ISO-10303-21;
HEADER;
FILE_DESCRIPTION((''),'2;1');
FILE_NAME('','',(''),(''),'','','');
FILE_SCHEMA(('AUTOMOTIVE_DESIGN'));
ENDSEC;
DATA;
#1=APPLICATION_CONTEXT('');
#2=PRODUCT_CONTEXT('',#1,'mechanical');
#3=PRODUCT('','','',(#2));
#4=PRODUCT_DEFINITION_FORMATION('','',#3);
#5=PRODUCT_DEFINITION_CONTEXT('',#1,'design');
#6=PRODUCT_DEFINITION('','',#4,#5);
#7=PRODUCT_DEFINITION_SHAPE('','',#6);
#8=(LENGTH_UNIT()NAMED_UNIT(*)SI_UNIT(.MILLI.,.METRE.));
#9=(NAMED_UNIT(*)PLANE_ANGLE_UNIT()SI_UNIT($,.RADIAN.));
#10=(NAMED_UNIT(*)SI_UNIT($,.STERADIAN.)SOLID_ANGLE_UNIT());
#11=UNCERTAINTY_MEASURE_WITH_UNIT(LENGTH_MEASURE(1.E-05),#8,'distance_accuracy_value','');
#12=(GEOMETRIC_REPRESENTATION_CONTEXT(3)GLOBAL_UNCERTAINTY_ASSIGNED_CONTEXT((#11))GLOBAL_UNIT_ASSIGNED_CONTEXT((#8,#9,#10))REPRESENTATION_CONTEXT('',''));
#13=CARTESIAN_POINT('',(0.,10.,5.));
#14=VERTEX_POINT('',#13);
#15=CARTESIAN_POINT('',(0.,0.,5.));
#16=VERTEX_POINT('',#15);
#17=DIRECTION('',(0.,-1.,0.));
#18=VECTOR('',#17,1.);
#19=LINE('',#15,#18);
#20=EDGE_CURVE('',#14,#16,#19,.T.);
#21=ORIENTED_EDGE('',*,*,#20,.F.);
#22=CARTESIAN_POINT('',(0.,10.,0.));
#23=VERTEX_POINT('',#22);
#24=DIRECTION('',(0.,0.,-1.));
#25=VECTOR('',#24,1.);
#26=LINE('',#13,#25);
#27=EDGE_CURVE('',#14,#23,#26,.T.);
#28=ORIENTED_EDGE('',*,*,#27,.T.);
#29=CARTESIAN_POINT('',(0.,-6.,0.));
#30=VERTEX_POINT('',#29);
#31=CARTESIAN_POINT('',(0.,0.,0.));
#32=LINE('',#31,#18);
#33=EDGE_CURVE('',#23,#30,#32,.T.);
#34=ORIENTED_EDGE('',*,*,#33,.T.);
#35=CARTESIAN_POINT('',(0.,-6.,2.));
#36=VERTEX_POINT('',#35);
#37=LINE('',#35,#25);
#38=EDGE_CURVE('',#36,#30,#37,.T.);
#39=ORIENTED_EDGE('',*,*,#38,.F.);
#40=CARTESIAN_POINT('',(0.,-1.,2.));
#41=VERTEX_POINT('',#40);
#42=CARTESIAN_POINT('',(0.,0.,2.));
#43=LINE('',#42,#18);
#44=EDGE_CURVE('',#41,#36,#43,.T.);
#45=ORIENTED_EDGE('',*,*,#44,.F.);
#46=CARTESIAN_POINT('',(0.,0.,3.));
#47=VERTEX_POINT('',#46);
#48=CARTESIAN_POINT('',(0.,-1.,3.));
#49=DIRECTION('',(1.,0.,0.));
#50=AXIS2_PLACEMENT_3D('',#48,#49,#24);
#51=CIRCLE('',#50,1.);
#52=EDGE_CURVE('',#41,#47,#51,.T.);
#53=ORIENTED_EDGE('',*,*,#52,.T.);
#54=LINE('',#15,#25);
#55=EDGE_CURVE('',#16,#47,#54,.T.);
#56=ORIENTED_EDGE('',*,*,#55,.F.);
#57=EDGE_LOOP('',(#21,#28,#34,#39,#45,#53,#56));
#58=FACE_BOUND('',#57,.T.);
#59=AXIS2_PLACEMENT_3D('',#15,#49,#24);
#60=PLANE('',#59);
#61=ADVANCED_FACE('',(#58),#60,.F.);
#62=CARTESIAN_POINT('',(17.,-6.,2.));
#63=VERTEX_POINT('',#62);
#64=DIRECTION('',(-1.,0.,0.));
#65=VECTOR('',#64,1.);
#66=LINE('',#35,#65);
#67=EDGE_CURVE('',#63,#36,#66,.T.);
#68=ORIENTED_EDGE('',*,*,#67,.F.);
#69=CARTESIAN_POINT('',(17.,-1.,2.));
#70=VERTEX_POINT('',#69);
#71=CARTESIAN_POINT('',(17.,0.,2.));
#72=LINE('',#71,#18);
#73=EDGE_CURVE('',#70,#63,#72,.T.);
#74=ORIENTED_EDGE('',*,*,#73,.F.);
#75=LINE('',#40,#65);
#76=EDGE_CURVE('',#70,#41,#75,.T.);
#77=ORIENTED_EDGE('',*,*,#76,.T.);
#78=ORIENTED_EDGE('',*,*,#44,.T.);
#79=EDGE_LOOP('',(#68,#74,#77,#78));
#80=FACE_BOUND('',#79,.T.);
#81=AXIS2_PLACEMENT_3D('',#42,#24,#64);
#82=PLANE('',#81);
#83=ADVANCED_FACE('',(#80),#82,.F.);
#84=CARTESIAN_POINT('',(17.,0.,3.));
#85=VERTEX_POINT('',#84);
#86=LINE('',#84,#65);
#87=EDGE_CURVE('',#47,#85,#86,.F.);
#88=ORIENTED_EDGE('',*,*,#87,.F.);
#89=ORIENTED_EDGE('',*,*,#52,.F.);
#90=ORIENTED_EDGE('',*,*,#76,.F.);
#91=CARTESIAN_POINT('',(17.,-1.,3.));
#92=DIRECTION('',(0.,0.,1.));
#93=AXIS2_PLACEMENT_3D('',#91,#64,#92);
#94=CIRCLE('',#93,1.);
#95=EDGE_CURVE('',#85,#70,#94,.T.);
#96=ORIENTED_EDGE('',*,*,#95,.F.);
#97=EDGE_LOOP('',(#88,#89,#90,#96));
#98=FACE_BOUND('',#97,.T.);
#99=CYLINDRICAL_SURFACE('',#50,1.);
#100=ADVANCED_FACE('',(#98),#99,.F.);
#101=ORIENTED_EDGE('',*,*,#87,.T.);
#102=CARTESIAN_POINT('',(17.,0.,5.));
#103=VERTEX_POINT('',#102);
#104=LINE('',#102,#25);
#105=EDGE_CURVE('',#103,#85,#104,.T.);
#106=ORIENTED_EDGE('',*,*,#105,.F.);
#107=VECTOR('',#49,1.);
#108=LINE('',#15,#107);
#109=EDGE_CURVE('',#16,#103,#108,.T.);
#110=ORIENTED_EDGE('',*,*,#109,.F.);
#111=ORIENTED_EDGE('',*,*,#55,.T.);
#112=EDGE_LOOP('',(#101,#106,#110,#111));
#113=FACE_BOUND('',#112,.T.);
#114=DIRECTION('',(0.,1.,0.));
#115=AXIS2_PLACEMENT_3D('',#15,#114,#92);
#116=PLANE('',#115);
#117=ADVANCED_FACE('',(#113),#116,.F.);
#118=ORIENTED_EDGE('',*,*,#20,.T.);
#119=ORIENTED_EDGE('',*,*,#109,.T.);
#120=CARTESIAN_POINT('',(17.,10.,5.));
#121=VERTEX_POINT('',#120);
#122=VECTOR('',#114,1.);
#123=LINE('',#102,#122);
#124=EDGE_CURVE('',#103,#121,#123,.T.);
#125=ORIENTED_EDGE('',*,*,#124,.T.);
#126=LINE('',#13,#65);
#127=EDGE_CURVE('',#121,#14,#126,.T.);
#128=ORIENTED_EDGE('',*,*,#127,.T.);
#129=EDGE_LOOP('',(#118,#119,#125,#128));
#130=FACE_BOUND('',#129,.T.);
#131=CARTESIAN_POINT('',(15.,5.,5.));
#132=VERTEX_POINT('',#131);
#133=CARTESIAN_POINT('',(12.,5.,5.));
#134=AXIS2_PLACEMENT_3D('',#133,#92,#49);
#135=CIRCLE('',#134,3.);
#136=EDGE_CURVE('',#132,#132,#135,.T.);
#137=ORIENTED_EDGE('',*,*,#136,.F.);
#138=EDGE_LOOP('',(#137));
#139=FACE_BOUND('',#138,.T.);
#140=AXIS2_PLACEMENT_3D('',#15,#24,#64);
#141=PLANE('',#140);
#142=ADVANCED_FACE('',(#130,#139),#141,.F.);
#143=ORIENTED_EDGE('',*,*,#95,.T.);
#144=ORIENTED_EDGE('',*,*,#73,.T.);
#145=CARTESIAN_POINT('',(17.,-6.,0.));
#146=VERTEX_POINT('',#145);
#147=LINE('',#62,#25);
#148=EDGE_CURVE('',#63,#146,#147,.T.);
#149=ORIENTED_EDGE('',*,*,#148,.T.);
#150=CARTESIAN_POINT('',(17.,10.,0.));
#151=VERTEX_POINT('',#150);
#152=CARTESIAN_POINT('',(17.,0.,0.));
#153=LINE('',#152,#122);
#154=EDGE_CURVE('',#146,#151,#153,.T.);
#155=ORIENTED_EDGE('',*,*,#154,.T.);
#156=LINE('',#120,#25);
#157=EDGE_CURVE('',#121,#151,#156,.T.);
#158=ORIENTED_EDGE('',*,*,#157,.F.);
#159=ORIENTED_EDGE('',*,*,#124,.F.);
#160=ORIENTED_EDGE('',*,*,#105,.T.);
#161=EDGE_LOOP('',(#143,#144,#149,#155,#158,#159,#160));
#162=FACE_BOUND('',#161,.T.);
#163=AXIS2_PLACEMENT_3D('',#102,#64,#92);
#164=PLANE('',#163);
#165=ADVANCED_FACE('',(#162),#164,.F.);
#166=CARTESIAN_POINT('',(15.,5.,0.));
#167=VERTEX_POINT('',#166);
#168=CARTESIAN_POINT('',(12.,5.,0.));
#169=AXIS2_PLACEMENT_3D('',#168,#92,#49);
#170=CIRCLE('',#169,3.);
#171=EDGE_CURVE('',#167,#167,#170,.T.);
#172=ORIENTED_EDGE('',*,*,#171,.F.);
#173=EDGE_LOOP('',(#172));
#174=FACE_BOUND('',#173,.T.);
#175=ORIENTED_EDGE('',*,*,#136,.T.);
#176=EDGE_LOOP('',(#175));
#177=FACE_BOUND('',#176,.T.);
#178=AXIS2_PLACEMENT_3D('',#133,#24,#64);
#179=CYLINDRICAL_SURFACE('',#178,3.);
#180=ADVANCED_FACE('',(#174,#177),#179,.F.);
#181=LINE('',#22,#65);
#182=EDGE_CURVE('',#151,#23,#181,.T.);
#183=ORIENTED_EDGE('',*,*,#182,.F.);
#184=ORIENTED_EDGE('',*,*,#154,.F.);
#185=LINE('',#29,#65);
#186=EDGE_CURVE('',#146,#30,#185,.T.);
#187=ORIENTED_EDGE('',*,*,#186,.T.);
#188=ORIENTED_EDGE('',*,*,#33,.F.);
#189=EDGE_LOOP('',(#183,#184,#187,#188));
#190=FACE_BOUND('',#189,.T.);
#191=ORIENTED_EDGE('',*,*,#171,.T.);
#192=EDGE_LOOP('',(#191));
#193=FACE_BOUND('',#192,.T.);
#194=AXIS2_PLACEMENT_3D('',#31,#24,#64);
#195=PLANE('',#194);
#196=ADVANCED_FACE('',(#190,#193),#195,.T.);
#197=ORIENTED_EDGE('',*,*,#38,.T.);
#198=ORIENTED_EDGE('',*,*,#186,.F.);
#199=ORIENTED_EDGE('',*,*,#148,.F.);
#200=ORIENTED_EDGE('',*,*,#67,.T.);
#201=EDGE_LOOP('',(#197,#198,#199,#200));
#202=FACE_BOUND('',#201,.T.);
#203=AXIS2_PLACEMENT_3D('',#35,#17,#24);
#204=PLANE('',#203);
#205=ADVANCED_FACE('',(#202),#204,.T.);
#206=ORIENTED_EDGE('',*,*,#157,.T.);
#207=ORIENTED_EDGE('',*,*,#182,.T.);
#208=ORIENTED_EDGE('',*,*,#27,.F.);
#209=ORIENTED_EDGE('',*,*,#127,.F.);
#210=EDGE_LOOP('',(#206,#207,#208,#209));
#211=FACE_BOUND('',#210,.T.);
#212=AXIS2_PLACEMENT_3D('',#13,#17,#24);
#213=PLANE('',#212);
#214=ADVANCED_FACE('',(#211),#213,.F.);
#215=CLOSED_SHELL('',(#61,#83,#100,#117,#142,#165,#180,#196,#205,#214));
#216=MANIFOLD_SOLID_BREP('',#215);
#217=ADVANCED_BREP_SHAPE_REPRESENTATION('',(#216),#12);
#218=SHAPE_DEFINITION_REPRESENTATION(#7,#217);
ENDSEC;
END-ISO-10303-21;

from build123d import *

# Parameters (mm, degrees)
ESQUISSE1_W        = 17
ESQUISSE1_H        = 10
ESQUISSE1_R        = 3
BOSS_EXTRU_1_DEPTH = 5
ESQUISSE2_W        = 17
ESQUISSE2_H        = 6
BOSS_EXTRU_2_DEPTH = 2
CONG_1_R           = 1


with BuildPart() as part:
    # Esquisse1 → Boss.-Extru.1 (new body)
    with BuildSketch(Plane.XY):
        with Locations((8.5, 5)):
            Rectangle(ESQUISSE1_W, ESQUISSE1_H)
        with Locations((12, 5)):
            Circle(ESQUISSE1_R, mode=Mode.SUBTRACT)
    extrude(amount=BOSS_EXTRU_1_DEPTH)

    # Esquisse2 → Boss.-Extru.2 (add)
    with BuildSketch(Plane(origin=(0, 0, 0), x_dir=(-1, 0, 0), z_dir=(0, 0, -1))):
        with Locations((-8.5, -3)):
            Rectangle(ESQUISSE2_W, ESQUISSE2_H)
    extrude(amount=-BOSS_EXTRU_2_DEPTH)

    # Congé1
    cong_1_edges = [part.edges().sort_by_distance(p)[0] for p in [
        (8.5, 0, 2),
    ]]
    fillet(cong_1_edges, radius=CONG_1_R)


solid = part.part
